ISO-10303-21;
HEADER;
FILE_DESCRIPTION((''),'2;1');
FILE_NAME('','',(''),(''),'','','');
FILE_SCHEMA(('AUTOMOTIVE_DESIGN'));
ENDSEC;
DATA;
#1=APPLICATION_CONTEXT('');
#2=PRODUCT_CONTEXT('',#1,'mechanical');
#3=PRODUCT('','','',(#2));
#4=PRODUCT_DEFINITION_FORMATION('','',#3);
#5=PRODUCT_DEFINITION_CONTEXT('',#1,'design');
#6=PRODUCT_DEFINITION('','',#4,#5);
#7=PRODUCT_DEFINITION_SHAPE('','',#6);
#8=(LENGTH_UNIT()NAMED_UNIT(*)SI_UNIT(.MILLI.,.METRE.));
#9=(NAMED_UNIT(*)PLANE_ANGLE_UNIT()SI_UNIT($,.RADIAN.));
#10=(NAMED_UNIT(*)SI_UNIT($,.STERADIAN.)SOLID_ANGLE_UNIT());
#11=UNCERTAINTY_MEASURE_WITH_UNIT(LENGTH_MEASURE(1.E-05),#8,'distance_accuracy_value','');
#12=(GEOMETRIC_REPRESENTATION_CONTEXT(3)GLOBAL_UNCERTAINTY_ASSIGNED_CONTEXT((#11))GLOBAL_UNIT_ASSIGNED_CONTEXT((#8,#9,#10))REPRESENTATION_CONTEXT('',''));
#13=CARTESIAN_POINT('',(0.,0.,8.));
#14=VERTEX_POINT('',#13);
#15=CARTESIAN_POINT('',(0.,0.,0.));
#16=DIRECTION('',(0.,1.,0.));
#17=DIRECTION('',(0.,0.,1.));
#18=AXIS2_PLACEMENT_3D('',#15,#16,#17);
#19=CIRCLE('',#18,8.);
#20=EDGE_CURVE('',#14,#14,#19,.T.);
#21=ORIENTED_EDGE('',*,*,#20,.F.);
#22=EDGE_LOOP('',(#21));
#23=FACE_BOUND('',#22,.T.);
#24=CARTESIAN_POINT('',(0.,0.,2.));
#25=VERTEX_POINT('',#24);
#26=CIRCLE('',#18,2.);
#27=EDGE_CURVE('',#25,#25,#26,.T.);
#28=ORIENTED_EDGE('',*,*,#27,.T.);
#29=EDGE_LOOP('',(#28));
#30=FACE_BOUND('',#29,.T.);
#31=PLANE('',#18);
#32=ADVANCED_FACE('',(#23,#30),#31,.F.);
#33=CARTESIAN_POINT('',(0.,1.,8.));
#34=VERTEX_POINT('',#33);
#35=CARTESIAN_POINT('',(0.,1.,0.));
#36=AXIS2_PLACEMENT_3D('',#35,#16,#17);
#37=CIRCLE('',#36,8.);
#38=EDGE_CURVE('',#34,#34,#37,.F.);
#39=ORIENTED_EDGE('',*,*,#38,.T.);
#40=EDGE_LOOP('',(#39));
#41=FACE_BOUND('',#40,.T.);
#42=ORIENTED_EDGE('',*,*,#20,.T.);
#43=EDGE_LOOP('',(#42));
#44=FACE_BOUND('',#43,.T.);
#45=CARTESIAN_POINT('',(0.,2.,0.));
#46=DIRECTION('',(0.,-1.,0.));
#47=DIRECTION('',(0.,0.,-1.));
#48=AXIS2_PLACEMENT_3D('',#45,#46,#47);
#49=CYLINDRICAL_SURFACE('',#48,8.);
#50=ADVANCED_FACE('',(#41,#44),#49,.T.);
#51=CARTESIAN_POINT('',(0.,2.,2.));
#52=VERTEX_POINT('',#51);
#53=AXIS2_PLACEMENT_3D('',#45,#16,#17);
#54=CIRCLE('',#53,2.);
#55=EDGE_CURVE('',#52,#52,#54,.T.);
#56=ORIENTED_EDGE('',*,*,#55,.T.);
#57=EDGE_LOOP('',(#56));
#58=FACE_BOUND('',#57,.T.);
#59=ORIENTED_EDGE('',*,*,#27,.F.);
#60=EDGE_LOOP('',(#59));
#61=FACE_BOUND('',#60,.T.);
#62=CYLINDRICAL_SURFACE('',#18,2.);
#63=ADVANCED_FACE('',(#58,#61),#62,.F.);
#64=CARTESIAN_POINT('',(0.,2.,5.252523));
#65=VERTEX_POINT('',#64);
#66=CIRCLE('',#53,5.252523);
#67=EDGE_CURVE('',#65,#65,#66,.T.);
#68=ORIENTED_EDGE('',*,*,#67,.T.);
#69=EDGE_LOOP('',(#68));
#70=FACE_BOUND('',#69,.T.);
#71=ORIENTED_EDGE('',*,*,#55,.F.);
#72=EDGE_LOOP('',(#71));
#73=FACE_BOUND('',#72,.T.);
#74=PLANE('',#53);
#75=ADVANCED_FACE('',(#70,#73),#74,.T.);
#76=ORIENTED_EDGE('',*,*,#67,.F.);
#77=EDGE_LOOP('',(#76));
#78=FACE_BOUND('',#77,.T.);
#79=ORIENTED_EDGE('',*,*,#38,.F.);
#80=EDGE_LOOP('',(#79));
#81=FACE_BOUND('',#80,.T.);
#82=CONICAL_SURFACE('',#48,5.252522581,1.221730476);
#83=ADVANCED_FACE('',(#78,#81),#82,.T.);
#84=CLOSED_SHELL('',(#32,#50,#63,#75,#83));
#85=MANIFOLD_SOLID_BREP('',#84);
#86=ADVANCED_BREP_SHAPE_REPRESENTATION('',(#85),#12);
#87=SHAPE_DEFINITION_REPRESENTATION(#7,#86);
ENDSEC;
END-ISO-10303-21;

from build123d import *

# Parameters (mm, degrees)
SKETCH1_R           = 8
BOSS_EXTRUDE1_DEPTH = 2
CHAMFER1_SIZE       = 1
CHAMFER1_SIZE2      = 2.747477419
SKETCH2_R           = 2
CUT_EXTRUDE1_DEPTH  = 3


with BuildPart() as part:
    # Sketch1 → Boss-Extrude1 (new body)
    with BuildSketch(Plane(origin=(0, 0, 0), x_dir=(1, 0, 0), z_dir=(0, 1, 0))):
        Circle(SKETCH1_R)
    extrude(amount=BOSS_EXTRUDE1_DEPTH)

    # Chamfer1
    chamfer1_edges = [part.edges().sort_by_distance(p)[0] for p in [
        (-8, 2, 0),
    ]]
    chamfer1_side = [part.faces().sort_by_distance(p)[0] for p in [
        (-8, 1, 0),
    ]]
    chamfer(chamfer1_edges, length=CHAMFER1_SIZE, length2=CHAMFER1_SIZE2, reference=chamfer1_side[0])

    # Sketch2 → Cut-Extrude1 (cut, through all)
    with BuildSketch(Plane(origin=(0, 2, 0), x_dir=(1, 0, 0), z_dir=(0, 1, 0))):
        Circle(SKETCH2_R)
    extrude(amount=-CUT_EXTRUDE1_DEPTH, mode=Mode.SUBTRACT)


solid = part.part
